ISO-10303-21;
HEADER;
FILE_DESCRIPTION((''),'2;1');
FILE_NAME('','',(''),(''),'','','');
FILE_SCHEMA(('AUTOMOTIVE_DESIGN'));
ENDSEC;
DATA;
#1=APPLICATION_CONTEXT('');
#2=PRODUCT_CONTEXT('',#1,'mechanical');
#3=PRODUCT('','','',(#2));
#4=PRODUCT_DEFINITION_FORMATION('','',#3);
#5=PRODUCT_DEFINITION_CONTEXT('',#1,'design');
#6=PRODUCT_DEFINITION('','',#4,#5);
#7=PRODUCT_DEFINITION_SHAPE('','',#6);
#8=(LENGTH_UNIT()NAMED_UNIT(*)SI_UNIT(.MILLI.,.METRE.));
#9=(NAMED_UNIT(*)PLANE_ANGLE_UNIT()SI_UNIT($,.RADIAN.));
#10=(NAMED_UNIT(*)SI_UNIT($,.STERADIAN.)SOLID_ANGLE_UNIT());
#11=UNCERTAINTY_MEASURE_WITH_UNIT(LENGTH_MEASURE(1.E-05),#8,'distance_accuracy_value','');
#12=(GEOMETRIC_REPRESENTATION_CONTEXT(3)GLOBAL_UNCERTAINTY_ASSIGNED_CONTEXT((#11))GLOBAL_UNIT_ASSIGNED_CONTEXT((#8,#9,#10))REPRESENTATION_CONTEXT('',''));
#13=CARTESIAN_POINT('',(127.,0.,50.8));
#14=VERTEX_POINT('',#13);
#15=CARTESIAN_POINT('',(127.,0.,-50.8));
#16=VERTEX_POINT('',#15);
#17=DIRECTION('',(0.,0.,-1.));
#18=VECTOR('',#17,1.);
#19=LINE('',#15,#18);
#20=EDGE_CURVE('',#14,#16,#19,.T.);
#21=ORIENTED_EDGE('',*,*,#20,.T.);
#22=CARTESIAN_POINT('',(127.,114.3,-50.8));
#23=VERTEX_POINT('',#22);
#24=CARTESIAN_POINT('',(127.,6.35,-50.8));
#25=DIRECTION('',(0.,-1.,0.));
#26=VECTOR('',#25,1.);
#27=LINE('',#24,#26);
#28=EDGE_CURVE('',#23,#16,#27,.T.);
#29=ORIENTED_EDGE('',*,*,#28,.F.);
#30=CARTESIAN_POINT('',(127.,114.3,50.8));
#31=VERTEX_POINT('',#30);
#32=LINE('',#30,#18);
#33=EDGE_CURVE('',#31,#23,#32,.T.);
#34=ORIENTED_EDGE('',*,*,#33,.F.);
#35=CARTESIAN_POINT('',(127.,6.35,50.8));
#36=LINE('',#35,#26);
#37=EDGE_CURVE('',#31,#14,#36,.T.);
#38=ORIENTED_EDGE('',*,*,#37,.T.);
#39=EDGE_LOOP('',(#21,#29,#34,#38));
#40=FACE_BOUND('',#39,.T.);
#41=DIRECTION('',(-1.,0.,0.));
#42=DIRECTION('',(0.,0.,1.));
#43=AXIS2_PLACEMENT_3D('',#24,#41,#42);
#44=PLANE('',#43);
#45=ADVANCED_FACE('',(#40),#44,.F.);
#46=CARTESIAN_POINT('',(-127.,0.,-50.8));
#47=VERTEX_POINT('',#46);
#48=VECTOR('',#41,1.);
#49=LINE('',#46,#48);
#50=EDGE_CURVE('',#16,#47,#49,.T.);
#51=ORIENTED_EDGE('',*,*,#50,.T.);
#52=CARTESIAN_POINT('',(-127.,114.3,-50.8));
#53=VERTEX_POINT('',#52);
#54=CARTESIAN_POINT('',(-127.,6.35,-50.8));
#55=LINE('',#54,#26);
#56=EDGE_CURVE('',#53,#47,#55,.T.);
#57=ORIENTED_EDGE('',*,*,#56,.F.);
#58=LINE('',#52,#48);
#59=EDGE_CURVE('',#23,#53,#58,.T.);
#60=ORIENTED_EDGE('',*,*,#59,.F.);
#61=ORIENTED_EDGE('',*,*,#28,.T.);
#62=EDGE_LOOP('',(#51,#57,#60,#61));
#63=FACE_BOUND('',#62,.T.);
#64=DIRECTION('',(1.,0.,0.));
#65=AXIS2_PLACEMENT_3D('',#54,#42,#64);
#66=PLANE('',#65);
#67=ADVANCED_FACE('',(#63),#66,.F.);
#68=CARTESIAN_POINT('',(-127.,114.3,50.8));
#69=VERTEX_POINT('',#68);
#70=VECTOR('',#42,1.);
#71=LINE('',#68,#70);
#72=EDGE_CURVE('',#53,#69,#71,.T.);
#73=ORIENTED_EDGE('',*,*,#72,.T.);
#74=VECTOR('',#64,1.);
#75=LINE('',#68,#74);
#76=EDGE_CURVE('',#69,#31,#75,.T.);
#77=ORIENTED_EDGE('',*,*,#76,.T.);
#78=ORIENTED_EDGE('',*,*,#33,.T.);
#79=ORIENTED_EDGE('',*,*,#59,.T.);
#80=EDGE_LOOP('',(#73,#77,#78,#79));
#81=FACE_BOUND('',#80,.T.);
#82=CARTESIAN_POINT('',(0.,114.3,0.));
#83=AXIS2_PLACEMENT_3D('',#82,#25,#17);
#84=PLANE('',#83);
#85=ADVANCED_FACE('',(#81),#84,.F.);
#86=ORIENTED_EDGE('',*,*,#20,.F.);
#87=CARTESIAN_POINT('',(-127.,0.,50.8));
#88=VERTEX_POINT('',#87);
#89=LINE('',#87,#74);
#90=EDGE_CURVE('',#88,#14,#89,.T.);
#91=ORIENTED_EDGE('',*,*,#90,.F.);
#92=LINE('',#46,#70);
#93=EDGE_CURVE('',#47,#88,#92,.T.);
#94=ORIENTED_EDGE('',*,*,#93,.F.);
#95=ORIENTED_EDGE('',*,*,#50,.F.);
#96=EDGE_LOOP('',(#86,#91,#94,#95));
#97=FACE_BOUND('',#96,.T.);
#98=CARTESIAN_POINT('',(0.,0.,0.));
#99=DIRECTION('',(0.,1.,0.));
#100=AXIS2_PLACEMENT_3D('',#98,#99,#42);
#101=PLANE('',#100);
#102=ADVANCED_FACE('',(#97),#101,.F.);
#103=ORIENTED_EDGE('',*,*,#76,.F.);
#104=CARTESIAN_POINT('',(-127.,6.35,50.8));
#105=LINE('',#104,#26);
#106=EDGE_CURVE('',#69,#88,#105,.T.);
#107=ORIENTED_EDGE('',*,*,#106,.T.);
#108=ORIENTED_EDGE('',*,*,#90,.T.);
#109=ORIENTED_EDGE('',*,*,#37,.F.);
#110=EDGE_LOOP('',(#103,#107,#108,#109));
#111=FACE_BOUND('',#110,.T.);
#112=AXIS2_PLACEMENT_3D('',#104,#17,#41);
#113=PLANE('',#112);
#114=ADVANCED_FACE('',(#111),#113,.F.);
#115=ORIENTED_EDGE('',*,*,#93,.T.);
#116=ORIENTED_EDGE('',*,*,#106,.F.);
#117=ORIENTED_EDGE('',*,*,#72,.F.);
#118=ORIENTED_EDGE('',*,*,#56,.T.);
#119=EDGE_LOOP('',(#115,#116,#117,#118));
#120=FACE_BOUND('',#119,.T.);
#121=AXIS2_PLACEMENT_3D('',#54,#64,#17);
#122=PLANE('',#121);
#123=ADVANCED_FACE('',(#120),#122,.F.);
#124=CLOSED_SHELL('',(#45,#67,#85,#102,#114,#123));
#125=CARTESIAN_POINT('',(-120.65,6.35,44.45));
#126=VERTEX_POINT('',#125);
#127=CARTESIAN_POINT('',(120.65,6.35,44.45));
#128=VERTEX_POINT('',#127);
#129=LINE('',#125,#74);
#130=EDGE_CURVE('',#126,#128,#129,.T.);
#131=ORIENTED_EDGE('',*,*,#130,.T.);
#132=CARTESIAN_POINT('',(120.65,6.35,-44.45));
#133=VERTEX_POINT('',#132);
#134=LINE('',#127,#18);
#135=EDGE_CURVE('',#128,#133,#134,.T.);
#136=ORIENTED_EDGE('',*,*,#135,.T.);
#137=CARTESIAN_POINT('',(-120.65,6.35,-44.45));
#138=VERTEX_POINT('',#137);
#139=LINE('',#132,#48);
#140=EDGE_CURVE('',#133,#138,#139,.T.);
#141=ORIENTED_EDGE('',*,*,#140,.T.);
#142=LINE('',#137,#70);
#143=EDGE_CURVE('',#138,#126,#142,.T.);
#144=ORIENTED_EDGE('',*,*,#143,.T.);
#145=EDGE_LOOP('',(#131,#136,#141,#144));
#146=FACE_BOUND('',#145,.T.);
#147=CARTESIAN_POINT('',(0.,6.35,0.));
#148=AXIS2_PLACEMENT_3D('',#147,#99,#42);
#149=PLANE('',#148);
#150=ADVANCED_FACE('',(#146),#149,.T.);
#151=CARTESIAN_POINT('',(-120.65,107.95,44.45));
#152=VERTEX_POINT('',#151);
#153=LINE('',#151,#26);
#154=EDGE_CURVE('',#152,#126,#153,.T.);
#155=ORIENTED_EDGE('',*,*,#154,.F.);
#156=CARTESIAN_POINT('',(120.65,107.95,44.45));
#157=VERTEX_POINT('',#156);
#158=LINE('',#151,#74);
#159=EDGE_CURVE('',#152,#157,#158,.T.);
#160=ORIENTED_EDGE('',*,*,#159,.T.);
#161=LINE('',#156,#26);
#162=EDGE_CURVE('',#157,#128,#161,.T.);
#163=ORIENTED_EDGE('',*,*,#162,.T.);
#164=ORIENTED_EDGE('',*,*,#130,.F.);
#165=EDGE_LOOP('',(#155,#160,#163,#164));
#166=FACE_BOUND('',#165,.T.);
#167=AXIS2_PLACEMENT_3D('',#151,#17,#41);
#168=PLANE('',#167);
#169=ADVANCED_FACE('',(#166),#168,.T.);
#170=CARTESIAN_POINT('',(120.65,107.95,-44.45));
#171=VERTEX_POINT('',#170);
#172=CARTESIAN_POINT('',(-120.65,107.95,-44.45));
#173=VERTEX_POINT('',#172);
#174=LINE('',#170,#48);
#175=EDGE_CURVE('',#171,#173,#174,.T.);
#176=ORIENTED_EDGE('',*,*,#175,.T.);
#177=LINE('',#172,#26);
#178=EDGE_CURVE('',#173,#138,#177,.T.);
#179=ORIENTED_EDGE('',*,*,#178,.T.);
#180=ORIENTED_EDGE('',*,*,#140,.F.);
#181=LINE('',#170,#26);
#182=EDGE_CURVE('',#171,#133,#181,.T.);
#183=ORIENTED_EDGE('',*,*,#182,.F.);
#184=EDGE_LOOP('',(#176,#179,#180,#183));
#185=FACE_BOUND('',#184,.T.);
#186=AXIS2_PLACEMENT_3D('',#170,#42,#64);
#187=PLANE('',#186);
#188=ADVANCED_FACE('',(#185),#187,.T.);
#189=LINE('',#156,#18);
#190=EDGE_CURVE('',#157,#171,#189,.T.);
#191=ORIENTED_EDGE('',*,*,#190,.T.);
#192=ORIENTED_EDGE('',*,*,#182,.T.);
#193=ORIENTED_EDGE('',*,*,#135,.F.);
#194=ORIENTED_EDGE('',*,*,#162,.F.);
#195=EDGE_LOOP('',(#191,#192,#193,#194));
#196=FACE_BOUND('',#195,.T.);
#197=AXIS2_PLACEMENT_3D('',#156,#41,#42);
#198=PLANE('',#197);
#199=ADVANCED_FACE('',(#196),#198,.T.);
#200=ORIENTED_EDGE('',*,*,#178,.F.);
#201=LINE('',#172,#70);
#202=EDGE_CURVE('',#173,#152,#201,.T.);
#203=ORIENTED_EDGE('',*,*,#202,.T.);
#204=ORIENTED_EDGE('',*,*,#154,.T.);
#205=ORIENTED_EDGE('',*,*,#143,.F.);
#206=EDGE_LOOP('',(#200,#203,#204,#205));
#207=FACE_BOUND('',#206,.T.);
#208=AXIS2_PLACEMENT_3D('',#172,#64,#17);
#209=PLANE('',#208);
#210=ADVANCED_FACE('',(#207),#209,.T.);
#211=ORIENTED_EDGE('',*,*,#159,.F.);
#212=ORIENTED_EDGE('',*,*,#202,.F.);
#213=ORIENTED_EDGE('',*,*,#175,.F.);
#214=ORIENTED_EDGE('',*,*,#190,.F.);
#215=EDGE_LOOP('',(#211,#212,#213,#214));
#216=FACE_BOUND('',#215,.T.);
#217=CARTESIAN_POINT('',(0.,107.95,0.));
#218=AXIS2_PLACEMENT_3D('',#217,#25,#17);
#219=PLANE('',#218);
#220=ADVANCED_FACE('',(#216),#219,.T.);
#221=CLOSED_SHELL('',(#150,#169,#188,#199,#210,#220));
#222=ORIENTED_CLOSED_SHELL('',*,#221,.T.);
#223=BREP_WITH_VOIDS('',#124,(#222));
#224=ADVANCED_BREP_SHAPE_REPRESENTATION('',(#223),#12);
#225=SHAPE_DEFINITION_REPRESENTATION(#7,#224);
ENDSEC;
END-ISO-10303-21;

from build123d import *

# Parameters (mm, degrees)
SKETCH1_W           = 254
SKETCH1_H           = 101.6
BOSS_EXTRUDE1_DEPTH = 6.35
SKETCH5_W           = 254
SKETCH5_H           = 101.6
SKETCH5_W_2         = 241.3
SKETCH5_H_2         = 88.9
BOSS_EXTRUDE4_DEPTH = 101.6
SKETCH6_W           = 254
SKETCH6_H           = 101.6
BOSS_EXTRUDE5_DEPTH = 6.35


with BuildPart() as part:
    # Sketch1 → Boss-Extrude1 (new body)
    with BuildSketch(Plane(origin=(0, 0, 0), x_dir=(1, 0, 0), z_dir=(0, 1, 0))):
        Rectangle(SKETCH1_W, SKETCH1_H)
    extrude(amount=BOSS_EXTRUDE1_DEPTH)

    # Sketch5 → Boss-Extrude4 (add)
    with BuildSketch(Plane(origin=(0, 6.35, 0), x_dir=(1, 0, 0), z_dir=(0, 1, 0))):
        Rectangle(SKETCH5_W, SKETCH5_H)
        Rectangle(SKETCH5_W_2, SKETCH5_H_2, mode=Mode.SUBTRACT)
    extrude(amount=BOSS_EXTRUDE4_DEPTH)

    # Sketch6 → Boss-Extrude5 (add)
    with BuildSketch(Plane(origin=(0, 107.95, 0), x_dir=(1, 0, 0), z_dir=(0, 1, 0))):
        Rectangle(SKETCH6_W, SKETCH6_H)
    extrude(amount=BOSS_EXTRUDE5_DEPTH)


solid = part.part
